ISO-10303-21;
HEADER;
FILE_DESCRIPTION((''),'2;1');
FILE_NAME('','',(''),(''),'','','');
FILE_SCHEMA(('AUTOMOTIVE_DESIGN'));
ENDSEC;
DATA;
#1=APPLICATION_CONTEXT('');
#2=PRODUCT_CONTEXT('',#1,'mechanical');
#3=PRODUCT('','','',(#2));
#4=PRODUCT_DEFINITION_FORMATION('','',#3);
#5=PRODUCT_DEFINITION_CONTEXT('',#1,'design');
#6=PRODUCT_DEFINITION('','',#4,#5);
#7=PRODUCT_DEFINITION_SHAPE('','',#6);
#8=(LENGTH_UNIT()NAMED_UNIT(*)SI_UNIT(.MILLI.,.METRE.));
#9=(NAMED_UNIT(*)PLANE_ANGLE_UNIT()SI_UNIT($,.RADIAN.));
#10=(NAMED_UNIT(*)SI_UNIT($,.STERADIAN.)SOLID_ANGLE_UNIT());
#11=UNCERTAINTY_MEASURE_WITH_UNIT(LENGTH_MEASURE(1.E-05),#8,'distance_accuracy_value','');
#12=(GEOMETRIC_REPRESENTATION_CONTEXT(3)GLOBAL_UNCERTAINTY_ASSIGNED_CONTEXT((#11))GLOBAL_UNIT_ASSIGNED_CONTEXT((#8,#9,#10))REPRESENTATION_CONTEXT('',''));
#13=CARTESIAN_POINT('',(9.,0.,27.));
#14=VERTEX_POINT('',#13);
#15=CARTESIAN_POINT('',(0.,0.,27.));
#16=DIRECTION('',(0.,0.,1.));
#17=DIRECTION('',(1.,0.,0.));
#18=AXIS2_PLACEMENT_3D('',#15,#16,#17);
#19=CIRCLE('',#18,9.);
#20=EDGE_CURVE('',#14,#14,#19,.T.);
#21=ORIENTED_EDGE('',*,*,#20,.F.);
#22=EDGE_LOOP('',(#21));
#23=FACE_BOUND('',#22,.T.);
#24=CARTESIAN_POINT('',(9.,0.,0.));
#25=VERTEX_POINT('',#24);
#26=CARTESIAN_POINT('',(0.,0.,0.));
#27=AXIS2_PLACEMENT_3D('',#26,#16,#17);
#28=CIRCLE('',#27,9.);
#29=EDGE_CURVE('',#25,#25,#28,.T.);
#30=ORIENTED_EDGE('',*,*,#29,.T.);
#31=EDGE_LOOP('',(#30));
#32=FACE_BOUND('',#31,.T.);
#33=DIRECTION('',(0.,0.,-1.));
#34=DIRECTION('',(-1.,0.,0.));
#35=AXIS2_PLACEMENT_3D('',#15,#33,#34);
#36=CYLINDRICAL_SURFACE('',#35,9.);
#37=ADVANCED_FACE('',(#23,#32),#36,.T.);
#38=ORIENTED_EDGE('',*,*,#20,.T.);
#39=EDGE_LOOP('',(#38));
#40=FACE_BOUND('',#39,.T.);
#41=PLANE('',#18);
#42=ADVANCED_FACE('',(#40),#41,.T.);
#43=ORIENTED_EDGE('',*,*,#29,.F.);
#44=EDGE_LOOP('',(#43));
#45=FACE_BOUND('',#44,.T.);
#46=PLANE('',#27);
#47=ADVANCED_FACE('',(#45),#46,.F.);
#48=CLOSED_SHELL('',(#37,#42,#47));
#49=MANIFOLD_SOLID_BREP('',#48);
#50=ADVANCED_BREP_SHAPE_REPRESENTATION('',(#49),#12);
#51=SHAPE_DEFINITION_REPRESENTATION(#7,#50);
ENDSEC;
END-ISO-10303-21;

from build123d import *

# Parameters (mm, degrees)
SKETCH_1_R      = 9
EXTRUDE_2_DEPTH = 27


with BuildPart() as part:
    # 草图1 → 凸台-拉伸2 (new body)
    with BuildSketch(Plane.XY):
        Circle(SKETCH_1_R)
    extrude(amount=EXTRUDE_2_DEPTH)


solid = part.part
